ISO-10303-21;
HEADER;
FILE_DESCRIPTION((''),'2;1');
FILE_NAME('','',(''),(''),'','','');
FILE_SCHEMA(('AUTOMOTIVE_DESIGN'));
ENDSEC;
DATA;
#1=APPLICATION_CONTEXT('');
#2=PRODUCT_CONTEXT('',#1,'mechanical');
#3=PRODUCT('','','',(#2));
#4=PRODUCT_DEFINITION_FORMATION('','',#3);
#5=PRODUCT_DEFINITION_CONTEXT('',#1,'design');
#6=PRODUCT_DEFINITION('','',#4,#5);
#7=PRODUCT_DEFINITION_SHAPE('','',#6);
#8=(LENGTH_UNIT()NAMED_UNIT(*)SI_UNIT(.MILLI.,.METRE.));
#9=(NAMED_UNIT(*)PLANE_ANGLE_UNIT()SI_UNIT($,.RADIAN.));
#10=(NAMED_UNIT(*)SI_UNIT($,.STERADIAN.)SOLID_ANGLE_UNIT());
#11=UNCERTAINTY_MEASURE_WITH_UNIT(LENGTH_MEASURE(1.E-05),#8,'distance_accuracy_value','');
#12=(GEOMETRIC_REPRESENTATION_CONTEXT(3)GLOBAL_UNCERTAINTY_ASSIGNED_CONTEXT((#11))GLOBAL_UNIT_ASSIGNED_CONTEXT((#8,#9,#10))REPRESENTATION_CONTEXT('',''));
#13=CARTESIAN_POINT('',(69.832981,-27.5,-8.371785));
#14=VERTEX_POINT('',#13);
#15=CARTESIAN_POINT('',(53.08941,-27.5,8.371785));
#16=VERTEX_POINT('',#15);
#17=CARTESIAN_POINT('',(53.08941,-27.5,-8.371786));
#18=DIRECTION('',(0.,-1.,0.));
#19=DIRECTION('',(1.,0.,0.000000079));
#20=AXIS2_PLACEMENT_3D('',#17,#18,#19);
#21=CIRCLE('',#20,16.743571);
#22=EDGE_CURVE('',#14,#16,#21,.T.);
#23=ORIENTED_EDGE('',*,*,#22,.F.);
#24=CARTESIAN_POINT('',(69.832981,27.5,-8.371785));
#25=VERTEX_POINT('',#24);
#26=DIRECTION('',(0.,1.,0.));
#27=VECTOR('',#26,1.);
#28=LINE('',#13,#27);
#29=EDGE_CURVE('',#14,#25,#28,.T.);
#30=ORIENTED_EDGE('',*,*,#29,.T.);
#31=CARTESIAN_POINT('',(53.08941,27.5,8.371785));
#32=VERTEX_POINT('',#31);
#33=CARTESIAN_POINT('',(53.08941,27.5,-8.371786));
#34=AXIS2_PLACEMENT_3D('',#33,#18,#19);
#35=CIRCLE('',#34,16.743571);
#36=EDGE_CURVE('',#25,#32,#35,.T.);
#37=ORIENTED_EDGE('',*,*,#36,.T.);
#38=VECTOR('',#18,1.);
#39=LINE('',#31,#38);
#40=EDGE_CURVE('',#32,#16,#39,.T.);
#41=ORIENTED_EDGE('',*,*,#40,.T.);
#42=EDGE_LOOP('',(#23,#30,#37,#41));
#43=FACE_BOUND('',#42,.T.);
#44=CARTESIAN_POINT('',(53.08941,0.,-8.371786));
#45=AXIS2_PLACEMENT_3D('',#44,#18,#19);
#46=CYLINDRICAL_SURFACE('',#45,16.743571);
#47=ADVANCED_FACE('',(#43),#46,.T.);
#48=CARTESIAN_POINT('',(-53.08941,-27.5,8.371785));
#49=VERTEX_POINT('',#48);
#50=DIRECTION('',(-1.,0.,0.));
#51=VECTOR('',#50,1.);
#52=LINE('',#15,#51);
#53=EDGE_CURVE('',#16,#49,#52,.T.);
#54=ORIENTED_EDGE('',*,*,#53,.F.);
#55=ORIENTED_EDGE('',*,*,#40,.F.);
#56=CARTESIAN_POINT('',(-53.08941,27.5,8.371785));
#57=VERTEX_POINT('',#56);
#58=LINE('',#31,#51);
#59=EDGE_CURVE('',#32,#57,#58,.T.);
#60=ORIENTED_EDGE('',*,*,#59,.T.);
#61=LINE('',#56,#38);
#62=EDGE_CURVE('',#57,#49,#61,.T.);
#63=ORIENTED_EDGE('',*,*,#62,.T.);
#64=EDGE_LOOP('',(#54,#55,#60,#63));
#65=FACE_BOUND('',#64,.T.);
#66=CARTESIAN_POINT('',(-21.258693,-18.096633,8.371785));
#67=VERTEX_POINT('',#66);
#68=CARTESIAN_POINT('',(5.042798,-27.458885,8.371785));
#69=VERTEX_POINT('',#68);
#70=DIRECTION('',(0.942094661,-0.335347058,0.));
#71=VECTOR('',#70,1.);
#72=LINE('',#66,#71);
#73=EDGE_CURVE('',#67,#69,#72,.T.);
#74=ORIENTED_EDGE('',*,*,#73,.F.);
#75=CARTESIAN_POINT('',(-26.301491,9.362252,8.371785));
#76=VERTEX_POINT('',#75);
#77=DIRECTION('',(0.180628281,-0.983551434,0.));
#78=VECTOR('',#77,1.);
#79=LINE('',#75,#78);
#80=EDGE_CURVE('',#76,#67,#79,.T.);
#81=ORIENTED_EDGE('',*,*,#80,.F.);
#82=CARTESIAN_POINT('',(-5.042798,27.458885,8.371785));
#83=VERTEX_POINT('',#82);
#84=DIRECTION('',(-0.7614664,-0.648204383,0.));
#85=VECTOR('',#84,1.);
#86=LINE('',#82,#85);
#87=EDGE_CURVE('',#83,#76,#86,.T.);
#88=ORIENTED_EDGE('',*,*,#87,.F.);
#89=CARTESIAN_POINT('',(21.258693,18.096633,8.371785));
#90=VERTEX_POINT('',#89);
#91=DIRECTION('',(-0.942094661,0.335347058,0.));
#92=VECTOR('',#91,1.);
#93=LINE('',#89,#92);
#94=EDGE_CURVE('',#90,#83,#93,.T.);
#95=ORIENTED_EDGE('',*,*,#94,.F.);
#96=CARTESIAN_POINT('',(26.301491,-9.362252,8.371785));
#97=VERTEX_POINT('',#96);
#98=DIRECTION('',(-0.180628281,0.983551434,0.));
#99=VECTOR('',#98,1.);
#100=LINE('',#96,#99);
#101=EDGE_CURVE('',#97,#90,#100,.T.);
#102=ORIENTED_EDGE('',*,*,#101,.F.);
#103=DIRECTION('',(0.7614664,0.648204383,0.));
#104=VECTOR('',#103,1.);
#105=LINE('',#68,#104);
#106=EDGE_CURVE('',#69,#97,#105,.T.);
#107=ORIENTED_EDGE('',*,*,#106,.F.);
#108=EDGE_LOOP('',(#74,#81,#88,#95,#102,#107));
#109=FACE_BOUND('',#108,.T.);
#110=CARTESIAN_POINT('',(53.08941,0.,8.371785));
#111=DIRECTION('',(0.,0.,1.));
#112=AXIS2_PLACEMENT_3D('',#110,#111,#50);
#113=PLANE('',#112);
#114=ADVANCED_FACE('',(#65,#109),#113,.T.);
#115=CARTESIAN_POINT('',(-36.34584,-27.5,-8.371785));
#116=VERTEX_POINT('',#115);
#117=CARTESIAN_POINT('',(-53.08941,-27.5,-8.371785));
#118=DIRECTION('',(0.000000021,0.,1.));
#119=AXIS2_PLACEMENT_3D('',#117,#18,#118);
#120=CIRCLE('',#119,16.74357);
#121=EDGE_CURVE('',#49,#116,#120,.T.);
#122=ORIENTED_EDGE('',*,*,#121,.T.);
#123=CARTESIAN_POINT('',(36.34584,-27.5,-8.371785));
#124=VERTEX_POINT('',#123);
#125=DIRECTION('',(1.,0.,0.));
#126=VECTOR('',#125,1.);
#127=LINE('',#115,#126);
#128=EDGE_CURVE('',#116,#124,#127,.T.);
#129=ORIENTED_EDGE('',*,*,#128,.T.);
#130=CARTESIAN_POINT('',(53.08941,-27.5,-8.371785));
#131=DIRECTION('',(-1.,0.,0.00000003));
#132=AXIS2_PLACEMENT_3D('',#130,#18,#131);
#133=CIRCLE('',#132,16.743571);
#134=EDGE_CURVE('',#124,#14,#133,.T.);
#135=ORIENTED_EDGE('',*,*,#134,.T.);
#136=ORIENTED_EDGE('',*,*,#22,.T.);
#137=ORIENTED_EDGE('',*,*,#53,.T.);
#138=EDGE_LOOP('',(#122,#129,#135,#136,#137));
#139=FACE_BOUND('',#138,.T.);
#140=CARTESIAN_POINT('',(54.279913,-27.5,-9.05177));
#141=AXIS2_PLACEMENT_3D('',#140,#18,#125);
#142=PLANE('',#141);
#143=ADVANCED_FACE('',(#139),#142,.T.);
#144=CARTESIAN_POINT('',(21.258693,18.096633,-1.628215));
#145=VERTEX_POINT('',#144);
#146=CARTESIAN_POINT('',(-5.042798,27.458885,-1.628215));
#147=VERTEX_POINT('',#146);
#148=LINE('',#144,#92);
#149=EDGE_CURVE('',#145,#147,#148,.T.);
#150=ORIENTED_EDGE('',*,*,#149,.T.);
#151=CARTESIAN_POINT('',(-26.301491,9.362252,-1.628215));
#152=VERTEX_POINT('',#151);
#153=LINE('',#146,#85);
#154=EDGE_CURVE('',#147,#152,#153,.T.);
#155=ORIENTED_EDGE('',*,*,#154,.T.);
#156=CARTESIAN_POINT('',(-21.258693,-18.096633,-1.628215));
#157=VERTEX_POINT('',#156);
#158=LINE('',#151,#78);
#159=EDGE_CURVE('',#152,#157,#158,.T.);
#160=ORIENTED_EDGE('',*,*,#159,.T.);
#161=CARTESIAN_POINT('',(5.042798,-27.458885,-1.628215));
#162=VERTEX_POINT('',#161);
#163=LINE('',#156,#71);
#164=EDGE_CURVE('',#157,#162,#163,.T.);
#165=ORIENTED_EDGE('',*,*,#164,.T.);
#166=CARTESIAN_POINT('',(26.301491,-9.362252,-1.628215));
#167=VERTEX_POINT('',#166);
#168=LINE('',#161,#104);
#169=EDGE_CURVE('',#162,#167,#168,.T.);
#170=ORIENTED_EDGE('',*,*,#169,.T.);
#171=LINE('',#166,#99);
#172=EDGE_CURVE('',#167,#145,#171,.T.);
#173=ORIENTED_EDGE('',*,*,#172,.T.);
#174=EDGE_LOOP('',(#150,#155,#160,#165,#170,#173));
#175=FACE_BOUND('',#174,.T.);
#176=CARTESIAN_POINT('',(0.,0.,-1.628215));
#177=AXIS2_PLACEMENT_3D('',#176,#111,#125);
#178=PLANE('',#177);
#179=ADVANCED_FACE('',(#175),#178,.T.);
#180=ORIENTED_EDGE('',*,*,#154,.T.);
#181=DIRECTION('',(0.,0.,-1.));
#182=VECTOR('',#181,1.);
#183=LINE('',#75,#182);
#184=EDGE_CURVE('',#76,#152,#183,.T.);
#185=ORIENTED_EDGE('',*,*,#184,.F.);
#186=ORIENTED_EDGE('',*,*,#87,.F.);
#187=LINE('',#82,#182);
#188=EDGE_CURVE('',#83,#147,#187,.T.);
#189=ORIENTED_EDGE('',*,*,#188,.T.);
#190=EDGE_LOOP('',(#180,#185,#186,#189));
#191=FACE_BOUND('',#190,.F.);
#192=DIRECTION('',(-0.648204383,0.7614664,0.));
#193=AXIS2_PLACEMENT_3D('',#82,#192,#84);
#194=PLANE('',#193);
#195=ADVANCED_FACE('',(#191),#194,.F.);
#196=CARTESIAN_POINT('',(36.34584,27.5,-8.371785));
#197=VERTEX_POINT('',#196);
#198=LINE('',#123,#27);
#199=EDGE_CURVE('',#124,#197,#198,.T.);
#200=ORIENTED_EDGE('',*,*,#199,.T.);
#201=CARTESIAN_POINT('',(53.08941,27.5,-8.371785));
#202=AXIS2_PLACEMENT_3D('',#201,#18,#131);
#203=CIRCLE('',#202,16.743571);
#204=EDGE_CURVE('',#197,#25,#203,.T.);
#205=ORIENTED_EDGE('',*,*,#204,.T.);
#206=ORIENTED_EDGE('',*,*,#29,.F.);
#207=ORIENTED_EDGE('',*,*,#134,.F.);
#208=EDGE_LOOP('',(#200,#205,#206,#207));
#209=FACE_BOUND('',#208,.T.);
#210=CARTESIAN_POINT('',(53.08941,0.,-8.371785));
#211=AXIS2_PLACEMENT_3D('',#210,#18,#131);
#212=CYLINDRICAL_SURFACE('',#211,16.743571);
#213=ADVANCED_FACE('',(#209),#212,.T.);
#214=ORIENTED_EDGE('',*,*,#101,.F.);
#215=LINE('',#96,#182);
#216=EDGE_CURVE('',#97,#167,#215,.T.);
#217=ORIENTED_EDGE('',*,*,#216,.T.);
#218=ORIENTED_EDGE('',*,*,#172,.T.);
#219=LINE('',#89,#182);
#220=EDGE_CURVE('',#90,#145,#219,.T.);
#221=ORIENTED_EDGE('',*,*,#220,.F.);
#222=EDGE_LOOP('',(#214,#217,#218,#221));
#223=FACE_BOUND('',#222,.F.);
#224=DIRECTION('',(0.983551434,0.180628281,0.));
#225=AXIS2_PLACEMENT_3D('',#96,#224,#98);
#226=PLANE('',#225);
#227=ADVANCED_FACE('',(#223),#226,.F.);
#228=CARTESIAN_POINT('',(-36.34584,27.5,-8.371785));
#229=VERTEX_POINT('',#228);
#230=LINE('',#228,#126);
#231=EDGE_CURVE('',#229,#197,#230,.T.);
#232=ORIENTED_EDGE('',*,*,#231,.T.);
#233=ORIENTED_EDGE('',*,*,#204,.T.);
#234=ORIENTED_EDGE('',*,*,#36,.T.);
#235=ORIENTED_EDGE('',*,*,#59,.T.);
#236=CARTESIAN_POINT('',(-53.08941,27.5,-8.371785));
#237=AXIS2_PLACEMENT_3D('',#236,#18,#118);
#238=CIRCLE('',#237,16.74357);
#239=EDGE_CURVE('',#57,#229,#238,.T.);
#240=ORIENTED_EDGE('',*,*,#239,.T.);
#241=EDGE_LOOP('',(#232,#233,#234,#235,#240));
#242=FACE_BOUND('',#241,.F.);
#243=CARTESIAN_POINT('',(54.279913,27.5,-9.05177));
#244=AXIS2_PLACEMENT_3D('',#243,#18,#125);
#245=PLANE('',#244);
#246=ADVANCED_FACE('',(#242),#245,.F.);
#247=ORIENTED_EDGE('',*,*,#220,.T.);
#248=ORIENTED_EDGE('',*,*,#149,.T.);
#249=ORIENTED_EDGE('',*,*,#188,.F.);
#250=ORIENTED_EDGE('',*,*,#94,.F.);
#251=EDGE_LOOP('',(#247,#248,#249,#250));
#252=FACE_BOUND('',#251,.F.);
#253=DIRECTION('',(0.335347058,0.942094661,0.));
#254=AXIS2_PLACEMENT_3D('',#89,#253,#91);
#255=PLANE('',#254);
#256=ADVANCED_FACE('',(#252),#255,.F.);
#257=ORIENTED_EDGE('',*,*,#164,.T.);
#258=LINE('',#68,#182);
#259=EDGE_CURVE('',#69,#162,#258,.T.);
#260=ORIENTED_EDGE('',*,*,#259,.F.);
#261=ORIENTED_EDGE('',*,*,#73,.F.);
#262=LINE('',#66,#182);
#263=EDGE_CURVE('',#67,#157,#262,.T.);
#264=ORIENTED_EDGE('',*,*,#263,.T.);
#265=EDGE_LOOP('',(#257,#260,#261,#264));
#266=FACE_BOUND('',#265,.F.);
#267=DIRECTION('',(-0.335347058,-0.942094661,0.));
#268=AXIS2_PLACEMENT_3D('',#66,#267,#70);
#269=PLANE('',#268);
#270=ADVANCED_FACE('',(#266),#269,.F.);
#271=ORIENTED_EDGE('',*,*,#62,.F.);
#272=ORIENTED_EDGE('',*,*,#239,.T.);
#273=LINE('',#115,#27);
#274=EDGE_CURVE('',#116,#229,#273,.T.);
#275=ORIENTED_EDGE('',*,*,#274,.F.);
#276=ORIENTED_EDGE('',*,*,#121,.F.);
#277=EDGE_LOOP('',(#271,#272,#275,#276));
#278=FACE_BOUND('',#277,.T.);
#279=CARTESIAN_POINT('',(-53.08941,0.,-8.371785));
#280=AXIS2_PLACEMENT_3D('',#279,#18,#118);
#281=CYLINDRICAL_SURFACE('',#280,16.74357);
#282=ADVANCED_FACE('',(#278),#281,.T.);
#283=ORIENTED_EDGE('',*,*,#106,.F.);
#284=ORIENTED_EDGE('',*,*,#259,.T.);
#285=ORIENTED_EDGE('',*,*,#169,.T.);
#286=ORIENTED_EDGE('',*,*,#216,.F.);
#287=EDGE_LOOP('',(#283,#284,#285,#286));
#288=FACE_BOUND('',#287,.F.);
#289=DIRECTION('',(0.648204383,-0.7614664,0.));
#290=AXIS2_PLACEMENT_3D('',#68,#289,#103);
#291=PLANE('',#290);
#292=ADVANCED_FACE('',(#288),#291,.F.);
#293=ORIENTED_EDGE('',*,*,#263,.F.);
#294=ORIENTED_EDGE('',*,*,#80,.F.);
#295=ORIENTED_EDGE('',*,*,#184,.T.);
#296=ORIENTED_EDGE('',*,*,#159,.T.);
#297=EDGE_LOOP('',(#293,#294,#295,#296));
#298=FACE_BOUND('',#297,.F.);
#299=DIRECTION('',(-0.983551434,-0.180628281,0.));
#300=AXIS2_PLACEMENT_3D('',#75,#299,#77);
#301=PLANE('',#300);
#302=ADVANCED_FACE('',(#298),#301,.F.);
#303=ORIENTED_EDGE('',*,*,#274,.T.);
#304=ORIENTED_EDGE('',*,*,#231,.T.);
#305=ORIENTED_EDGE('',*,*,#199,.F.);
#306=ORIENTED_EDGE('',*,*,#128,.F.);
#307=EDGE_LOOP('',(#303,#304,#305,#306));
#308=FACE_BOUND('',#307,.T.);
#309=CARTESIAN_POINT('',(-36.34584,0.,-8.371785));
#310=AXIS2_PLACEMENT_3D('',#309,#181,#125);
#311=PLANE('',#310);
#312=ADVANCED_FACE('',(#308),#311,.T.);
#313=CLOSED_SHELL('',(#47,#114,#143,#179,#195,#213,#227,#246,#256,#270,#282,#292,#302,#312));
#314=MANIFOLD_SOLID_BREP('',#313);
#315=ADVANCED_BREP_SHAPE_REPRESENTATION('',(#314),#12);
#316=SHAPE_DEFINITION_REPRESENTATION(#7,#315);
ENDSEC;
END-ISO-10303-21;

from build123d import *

# Parameters (mm, degrees)
F1_DEPTH = 27.5
F3_DEPTH = 10


with BuildPart() as f1:
    # F0 (on Front) → F1 (new body, symmetric)
    with BuildSketch(Plane.XZ):
        with BuildLine():
            ThreePointArc((69.832981, -8.371785), (64.928902, 3.467707), (53.08941, 8.371785))
            Line((53.08941, 8.371785), (53.08941, -8.371785))
            Line((53.08941, -8.371785), (36.34584, -8.371785))
            ThreePointArc((36.34584, -8.371785), (53.08941, -25.115356), (69.832981, -8.371785))
        make_face()
        with BuildLine():
            ThreePointArc((36.34584, -8.371785), (41.249918, 3.467707), (53.08941, 8.371785))
            Line((53.08941, 8.371785), (-53.08941, 8.371785))
            ThreePointArc((-53.08941, 8.371785), (-41.249918, 3.467707), (-36.34584, -8.371785))
            Line((-36.34584, -8.371785), (36.34584, -8.371785))
        make_face()
        with BuildLine():
            Line((-53.08941, -8.371785), (-53.08941, 8.371785))
            ThreePointArc((-53.08941, 8.371785), (-64.928902, -20.211278), (-36.34584, -8.371785))
            Line((-36.34584, -8.371785), (-53.08941, -8.371785))
        make_face()
        with BuildLine():
            Line((53.08941, -8.371785), (53.08941, 8.371785))
            ThreePointArc((53.08941, 8.371785), (41.249918, 3.467707), (36.34584, -8.371785))
            Line((36.34584, -8.371785), (53.08941, -8.371785))
        make_face()
        with BuildLine():
            ThreePointArc((-36.34584, -8.371785), (-41.249918, 3.467707), (-53.08941, 8.371785))
            Line((-53.08941, 8.371785), (-53.08941, -8.371785))
            Line((-53.08941, -8.371785), (-36.34584, -8.371785))
        make_face()
    extrude(amount=F1_DEPTH, both=True)

    # F2 (on face) → F3 (cut)
    with BuildSketch(Plane.XY.offset(8.371785)):
        Polygon((26.301491, -9.362252), (21.258693, 18.096633), (-5.042798, 27.458885), (-26.301491, 9.362252), (-21.258693, -18.096633), (5.042798, -27.458885), align=None)
    extrude(amount=-F3_DEPTH, mode=Mode.SUBTRACT)


solid = f1.part
